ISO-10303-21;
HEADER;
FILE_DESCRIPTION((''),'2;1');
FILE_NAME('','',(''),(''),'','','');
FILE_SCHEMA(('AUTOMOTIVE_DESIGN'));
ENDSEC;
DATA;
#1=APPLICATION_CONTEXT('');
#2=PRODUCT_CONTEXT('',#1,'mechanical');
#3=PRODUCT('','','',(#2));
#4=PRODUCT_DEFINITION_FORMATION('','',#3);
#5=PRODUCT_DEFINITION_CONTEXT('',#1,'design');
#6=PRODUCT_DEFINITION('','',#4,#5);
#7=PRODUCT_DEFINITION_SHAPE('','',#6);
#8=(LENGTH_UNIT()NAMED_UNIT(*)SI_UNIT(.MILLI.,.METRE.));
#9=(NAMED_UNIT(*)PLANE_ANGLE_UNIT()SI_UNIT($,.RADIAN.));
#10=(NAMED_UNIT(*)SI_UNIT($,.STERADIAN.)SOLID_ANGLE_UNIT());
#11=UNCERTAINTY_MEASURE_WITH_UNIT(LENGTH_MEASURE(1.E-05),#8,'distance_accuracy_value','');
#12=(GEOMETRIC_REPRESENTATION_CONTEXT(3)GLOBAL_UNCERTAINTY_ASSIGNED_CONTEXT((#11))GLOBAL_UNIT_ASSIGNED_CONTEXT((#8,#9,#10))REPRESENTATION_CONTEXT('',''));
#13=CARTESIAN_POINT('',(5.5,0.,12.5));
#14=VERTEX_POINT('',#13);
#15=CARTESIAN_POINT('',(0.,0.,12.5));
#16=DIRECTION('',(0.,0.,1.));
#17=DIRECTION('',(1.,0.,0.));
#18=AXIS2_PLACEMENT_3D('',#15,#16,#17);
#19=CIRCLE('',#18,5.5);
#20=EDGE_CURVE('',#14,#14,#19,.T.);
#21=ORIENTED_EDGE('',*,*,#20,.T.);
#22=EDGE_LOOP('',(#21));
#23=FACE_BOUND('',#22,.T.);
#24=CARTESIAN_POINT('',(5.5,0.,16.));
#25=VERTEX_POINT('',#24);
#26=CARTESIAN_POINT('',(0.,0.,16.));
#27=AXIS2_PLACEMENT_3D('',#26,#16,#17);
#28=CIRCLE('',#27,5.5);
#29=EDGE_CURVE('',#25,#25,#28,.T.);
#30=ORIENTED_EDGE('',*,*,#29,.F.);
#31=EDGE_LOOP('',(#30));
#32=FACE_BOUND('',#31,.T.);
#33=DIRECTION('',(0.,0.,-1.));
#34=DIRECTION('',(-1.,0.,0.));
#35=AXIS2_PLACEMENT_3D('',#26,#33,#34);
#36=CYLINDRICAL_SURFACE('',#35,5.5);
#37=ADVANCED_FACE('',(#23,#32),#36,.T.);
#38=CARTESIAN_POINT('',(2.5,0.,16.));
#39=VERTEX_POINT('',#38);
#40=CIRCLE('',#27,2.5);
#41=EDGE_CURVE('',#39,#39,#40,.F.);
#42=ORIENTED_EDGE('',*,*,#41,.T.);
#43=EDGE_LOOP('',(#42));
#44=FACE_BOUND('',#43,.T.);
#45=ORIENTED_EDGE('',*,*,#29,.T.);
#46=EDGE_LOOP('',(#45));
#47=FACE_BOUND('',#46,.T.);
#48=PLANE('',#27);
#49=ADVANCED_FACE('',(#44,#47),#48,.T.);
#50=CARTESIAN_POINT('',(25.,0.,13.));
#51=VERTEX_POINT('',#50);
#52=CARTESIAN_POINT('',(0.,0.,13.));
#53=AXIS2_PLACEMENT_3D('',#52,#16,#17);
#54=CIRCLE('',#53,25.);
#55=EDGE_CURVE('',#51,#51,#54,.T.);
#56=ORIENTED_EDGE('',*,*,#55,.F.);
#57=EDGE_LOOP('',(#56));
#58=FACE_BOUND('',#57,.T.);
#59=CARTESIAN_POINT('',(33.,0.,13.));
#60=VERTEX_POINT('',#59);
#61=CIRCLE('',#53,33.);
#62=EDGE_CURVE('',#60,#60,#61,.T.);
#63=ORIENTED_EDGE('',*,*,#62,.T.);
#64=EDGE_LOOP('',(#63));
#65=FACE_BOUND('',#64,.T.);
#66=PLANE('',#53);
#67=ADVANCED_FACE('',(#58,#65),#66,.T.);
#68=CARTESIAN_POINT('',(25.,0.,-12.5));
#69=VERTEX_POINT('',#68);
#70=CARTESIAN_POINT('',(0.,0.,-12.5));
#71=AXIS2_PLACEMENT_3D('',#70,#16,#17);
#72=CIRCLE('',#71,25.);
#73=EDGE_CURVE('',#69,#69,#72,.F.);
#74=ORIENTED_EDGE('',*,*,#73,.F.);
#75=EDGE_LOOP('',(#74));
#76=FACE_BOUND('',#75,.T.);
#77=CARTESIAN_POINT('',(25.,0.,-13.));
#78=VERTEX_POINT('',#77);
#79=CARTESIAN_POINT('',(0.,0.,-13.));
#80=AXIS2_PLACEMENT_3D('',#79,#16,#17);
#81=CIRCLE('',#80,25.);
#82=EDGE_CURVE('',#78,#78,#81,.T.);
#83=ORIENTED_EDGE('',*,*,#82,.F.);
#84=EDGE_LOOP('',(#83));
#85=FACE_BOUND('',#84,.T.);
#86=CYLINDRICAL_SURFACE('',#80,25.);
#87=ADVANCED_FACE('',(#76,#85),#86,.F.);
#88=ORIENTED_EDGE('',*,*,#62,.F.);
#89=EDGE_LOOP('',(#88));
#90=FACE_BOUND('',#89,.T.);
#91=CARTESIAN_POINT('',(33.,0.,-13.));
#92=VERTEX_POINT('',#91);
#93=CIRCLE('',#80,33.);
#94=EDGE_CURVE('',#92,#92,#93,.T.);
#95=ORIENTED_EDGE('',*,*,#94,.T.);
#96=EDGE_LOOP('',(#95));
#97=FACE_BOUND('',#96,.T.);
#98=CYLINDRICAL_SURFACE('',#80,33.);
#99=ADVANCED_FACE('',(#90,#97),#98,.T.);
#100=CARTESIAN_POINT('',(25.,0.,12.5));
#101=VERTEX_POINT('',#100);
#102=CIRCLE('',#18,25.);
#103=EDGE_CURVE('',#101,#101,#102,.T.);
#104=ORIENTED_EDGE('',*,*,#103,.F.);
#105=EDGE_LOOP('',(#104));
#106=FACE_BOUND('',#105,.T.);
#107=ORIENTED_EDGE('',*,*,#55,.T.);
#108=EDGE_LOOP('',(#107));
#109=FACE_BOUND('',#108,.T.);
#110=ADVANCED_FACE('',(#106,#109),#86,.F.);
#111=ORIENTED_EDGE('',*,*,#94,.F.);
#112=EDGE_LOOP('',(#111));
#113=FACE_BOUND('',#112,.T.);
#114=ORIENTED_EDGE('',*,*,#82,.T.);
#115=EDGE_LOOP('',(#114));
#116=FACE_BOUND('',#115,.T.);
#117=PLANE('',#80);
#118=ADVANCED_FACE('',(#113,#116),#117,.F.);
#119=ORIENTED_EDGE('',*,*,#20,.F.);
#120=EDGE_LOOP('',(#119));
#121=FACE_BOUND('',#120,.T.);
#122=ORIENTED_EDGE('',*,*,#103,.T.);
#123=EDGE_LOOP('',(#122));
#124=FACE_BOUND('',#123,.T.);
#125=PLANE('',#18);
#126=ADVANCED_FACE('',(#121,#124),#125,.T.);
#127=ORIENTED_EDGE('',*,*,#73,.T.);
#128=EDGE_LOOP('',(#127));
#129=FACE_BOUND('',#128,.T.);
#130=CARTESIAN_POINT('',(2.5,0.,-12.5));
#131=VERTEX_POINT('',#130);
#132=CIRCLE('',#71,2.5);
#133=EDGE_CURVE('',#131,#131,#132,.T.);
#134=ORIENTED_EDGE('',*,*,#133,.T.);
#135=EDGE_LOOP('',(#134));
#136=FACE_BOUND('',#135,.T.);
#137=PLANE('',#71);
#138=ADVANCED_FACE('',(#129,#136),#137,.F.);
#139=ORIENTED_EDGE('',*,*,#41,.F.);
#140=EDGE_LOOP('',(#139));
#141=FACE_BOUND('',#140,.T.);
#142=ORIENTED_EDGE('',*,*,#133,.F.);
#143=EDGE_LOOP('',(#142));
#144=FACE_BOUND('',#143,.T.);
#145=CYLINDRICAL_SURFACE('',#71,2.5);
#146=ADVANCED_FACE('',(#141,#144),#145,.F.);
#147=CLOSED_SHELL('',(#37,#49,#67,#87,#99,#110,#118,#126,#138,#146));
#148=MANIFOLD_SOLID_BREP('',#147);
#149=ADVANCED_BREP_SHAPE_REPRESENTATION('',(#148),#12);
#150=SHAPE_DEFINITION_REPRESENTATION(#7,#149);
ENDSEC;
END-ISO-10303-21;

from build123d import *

# Parameters (mm, degrees)
ESTRUSIONE_ESTRUSIONE1_DEPTH      = 13
ESTRUSIONE_ESTRUSIONE1_DEPTH_BACK = 13
SCHIZZO1_R                        = 33
SCHIZZO1_R_2                      = 25
ESTRUSIONE_ESTRUSIONE2_DEPTH      = 12.5
ESTRUSIONE_ESTRUSIONE2_DEPTH_BACK = 12.5
SCHIZZO1_3_R                      = 25
SCHIZZO1_3_R_2                    = 2.5
SCHIZZO2_R                        = 5.5
SCHIZZO2_R_2                      = 2.5
ESTRUSIONE_ESTRUSIONE3_DEPTH      = 3.5


with BuildPart() as part:
    # Schizzo1 → Estrusione-Estrusione1 (new, two sides: drawn at the far end of the back side and taken through both)
    with BuildSketch(Plane.XY.offset(-ESTRUSIONE_ESTRUSIONE1_DEPTH_BACK)):
        Circle(SCHIZZO1_R)
        Circle(SCHIZZO1_R_2, mode=Mode.SUBTRACT)
    extrude(amount=ESTRUSIONE_ESTRUSIONE1_DEPTH + ESTRUSIONE_ESTRUSIONE1_DEPTH_BACK)

    # Schizzo1<3> → Estrusione-Estrusione2 (add, two sides: drawn at the far end of the back side and taken through both)
    with BuildSketch(Plane.XY.offset(-ESTRUSIONE_ESTRUSIONE2_DEPTH_BACK)):
        Circle(SCHIZZO1_3_R)
        Circle(SCHIZZO1_3_R_2, mode=Mode.SUBTRACT)
    extrude(amount=ESTRUSIONE_ESTRUSIONE2_DEPTH + ESTRUSIONE_ESTRUSIONE2_DEPTH_BACK)

    # Schizzo2 → Estrusione-Estrusione3 (add)
    with BuildSketch(Plane.XY.offset(12.5)):
        Circle(SCHIZZO2_R)
        Circle(SCHIZZO2_R_2, mode=Mode.SUBTRACT)
    extrude(amount=ESTRUSIONE_ESTRUSIONE3_DEPTH)


solid = part.part
